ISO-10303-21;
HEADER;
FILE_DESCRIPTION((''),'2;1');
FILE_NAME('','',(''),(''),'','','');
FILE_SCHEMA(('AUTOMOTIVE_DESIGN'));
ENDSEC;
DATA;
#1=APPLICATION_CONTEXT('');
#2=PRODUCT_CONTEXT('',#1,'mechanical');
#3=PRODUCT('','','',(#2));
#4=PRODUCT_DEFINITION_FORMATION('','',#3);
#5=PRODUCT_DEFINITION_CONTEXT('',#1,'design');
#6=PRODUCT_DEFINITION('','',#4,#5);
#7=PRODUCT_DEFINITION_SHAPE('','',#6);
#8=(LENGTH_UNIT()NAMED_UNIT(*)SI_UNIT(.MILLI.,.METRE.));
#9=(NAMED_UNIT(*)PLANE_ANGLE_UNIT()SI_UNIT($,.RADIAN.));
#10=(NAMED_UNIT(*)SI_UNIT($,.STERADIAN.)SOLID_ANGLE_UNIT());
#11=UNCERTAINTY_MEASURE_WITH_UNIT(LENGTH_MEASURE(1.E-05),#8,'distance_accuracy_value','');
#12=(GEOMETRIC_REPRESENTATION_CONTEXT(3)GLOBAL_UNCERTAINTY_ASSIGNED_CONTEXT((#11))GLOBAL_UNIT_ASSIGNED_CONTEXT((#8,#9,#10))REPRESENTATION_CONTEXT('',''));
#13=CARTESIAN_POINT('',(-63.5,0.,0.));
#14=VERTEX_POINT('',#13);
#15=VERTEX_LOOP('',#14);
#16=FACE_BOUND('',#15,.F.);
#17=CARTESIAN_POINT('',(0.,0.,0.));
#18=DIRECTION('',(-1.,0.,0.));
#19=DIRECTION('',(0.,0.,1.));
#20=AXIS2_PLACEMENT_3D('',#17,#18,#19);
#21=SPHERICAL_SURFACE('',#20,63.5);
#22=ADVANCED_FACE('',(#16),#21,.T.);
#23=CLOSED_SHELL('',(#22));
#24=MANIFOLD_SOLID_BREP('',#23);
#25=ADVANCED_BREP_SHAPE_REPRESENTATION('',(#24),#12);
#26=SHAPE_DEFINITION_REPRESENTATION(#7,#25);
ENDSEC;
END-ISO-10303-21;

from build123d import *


with BuildPart() as part:
    # Sketch1 → Revolve5 (revolve)
    with BuildSketch(Plane(origin=(0, 0, 0), x_dir=(1, 0, 0), z_dir=(0, 1, 0))):
        with BuildLine():
            Line((-63.5, 0), (63.5, 0))
            ThreePointArc((63.5, 0), (0, -63.5), (-63.5, 0))
        make_face()
    revolve(axis=Axis((-63.5, 0, 0), (1, 0, 0)))


solid = part.part
